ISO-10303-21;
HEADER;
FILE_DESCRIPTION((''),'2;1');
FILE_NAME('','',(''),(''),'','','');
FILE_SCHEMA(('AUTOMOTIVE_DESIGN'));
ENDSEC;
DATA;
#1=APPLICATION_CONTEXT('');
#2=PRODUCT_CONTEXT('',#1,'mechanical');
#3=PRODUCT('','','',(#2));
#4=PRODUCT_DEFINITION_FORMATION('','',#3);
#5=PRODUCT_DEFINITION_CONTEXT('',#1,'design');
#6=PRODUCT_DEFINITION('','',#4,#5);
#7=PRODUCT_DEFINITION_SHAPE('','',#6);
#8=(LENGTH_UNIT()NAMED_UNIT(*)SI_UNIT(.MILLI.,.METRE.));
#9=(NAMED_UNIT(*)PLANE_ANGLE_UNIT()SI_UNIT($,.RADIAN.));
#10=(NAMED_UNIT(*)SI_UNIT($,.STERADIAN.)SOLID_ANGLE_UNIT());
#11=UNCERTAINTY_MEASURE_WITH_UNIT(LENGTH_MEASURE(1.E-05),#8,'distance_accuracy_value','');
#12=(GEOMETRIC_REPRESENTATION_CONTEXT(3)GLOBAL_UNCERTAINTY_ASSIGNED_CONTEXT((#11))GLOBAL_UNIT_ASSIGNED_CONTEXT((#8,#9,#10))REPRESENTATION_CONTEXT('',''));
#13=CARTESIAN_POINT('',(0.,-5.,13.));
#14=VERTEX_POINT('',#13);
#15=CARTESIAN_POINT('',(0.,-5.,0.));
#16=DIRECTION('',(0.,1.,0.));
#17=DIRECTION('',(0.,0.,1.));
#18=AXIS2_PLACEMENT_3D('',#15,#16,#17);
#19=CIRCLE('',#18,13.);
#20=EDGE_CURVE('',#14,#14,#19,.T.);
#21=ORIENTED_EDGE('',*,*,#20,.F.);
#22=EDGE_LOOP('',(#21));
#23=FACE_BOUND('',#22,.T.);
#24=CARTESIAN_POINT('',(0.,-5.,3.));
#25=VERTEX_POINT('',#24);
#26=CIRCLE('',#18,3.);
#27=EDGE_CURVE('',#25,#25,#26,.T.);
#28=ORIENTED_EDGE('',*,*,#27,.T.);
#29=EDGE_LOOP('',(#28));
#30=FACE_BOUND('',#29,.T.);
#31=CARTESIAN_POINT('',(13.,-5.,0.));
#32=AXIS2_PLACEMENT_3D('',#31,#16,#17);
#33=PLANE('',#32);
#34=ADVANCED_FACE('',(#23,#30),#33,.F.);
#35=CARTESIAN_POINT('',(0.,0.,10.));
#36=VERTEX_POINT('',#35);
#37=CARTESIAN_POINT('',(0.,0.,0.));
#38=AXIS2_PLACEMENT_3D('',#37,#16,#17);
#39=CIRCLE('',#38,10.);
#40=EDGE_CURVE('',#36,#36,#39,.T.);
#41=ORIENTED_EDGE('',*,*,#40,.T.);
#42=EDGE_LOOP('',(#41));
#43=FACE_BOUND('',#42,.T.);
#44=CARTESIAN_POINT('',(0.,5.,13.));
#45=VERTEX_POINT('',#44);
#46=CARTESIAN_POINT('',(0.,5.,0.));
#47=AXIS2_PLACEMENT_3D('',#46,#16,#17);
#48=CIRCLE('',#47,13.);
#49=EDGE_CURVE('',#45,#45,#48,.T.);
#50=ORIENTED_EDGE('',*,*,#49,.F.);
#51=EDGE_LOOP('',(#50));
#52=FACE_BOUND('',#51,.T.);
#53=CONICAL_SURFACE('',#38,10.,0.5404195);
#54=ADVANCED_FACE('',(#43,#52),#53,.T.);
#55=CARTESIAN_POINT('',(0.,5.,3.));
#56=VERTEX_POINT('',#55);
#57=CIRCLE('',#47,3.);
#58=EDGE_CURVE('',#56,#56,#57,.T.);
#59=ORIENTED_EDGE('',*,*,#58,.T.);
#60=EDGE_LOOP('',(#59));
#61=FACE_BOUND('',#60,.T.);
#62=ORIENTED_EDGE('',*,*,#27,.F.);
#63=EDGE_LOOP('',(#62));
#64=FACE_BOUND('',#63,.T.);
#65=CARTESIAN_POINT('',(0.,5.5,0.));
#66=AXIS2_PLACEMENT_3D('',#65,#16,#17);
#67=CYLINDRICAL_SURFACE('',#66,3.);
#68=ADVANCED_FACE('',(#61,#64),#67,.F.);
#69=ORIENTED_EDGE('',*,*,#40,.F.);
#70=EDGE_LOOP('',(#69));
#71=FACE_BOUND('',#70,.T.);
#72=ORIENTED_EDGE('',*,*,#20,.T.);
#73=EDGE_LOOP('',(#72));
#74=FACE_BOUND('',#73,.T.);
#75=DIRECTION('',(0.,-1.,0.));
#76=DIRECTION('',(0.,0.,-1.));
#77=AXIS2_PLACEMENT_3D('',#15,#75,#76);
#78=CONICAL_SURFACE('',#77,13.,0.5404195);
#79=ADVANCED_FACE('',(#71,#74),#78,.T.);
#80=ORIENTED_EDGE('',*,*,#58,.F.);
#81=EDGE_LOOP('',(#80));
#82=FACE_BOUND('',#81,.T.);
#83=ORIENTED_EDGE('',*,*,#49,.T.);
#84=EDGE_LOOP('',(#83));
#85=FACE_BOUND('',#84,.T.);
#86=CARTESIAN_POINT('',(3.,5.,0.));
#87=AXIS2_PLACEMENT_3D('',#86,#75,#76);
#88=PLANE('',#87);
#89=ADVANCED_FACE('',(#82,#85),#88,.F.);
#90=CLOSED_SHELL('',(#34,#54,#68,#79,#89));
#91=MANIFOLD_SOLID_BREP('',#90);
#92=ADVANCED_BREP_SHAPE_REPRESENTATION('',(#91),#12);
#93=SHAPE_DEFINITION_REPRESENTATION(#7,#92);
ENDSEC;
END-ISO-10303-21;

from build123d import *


with BuildPart() as part:
    # Croquis1 → Revolución1 (revolve)
    with BuildSketch(Plane.XY, mode=Mode.PRIVATE) as revoluci_n1_sk:
        Polygon((3, -5), (3, 5), (13, 5), (10, 0), (13, -5), align=None)
    revolve(revoluci_n1_sk.sketch.rotate(Axis((0, 5.5, 0), (0, -1, 0)), 90), axis=Axis((0, 5.5, 0), (0, -1, 0)))


solid = part.part
